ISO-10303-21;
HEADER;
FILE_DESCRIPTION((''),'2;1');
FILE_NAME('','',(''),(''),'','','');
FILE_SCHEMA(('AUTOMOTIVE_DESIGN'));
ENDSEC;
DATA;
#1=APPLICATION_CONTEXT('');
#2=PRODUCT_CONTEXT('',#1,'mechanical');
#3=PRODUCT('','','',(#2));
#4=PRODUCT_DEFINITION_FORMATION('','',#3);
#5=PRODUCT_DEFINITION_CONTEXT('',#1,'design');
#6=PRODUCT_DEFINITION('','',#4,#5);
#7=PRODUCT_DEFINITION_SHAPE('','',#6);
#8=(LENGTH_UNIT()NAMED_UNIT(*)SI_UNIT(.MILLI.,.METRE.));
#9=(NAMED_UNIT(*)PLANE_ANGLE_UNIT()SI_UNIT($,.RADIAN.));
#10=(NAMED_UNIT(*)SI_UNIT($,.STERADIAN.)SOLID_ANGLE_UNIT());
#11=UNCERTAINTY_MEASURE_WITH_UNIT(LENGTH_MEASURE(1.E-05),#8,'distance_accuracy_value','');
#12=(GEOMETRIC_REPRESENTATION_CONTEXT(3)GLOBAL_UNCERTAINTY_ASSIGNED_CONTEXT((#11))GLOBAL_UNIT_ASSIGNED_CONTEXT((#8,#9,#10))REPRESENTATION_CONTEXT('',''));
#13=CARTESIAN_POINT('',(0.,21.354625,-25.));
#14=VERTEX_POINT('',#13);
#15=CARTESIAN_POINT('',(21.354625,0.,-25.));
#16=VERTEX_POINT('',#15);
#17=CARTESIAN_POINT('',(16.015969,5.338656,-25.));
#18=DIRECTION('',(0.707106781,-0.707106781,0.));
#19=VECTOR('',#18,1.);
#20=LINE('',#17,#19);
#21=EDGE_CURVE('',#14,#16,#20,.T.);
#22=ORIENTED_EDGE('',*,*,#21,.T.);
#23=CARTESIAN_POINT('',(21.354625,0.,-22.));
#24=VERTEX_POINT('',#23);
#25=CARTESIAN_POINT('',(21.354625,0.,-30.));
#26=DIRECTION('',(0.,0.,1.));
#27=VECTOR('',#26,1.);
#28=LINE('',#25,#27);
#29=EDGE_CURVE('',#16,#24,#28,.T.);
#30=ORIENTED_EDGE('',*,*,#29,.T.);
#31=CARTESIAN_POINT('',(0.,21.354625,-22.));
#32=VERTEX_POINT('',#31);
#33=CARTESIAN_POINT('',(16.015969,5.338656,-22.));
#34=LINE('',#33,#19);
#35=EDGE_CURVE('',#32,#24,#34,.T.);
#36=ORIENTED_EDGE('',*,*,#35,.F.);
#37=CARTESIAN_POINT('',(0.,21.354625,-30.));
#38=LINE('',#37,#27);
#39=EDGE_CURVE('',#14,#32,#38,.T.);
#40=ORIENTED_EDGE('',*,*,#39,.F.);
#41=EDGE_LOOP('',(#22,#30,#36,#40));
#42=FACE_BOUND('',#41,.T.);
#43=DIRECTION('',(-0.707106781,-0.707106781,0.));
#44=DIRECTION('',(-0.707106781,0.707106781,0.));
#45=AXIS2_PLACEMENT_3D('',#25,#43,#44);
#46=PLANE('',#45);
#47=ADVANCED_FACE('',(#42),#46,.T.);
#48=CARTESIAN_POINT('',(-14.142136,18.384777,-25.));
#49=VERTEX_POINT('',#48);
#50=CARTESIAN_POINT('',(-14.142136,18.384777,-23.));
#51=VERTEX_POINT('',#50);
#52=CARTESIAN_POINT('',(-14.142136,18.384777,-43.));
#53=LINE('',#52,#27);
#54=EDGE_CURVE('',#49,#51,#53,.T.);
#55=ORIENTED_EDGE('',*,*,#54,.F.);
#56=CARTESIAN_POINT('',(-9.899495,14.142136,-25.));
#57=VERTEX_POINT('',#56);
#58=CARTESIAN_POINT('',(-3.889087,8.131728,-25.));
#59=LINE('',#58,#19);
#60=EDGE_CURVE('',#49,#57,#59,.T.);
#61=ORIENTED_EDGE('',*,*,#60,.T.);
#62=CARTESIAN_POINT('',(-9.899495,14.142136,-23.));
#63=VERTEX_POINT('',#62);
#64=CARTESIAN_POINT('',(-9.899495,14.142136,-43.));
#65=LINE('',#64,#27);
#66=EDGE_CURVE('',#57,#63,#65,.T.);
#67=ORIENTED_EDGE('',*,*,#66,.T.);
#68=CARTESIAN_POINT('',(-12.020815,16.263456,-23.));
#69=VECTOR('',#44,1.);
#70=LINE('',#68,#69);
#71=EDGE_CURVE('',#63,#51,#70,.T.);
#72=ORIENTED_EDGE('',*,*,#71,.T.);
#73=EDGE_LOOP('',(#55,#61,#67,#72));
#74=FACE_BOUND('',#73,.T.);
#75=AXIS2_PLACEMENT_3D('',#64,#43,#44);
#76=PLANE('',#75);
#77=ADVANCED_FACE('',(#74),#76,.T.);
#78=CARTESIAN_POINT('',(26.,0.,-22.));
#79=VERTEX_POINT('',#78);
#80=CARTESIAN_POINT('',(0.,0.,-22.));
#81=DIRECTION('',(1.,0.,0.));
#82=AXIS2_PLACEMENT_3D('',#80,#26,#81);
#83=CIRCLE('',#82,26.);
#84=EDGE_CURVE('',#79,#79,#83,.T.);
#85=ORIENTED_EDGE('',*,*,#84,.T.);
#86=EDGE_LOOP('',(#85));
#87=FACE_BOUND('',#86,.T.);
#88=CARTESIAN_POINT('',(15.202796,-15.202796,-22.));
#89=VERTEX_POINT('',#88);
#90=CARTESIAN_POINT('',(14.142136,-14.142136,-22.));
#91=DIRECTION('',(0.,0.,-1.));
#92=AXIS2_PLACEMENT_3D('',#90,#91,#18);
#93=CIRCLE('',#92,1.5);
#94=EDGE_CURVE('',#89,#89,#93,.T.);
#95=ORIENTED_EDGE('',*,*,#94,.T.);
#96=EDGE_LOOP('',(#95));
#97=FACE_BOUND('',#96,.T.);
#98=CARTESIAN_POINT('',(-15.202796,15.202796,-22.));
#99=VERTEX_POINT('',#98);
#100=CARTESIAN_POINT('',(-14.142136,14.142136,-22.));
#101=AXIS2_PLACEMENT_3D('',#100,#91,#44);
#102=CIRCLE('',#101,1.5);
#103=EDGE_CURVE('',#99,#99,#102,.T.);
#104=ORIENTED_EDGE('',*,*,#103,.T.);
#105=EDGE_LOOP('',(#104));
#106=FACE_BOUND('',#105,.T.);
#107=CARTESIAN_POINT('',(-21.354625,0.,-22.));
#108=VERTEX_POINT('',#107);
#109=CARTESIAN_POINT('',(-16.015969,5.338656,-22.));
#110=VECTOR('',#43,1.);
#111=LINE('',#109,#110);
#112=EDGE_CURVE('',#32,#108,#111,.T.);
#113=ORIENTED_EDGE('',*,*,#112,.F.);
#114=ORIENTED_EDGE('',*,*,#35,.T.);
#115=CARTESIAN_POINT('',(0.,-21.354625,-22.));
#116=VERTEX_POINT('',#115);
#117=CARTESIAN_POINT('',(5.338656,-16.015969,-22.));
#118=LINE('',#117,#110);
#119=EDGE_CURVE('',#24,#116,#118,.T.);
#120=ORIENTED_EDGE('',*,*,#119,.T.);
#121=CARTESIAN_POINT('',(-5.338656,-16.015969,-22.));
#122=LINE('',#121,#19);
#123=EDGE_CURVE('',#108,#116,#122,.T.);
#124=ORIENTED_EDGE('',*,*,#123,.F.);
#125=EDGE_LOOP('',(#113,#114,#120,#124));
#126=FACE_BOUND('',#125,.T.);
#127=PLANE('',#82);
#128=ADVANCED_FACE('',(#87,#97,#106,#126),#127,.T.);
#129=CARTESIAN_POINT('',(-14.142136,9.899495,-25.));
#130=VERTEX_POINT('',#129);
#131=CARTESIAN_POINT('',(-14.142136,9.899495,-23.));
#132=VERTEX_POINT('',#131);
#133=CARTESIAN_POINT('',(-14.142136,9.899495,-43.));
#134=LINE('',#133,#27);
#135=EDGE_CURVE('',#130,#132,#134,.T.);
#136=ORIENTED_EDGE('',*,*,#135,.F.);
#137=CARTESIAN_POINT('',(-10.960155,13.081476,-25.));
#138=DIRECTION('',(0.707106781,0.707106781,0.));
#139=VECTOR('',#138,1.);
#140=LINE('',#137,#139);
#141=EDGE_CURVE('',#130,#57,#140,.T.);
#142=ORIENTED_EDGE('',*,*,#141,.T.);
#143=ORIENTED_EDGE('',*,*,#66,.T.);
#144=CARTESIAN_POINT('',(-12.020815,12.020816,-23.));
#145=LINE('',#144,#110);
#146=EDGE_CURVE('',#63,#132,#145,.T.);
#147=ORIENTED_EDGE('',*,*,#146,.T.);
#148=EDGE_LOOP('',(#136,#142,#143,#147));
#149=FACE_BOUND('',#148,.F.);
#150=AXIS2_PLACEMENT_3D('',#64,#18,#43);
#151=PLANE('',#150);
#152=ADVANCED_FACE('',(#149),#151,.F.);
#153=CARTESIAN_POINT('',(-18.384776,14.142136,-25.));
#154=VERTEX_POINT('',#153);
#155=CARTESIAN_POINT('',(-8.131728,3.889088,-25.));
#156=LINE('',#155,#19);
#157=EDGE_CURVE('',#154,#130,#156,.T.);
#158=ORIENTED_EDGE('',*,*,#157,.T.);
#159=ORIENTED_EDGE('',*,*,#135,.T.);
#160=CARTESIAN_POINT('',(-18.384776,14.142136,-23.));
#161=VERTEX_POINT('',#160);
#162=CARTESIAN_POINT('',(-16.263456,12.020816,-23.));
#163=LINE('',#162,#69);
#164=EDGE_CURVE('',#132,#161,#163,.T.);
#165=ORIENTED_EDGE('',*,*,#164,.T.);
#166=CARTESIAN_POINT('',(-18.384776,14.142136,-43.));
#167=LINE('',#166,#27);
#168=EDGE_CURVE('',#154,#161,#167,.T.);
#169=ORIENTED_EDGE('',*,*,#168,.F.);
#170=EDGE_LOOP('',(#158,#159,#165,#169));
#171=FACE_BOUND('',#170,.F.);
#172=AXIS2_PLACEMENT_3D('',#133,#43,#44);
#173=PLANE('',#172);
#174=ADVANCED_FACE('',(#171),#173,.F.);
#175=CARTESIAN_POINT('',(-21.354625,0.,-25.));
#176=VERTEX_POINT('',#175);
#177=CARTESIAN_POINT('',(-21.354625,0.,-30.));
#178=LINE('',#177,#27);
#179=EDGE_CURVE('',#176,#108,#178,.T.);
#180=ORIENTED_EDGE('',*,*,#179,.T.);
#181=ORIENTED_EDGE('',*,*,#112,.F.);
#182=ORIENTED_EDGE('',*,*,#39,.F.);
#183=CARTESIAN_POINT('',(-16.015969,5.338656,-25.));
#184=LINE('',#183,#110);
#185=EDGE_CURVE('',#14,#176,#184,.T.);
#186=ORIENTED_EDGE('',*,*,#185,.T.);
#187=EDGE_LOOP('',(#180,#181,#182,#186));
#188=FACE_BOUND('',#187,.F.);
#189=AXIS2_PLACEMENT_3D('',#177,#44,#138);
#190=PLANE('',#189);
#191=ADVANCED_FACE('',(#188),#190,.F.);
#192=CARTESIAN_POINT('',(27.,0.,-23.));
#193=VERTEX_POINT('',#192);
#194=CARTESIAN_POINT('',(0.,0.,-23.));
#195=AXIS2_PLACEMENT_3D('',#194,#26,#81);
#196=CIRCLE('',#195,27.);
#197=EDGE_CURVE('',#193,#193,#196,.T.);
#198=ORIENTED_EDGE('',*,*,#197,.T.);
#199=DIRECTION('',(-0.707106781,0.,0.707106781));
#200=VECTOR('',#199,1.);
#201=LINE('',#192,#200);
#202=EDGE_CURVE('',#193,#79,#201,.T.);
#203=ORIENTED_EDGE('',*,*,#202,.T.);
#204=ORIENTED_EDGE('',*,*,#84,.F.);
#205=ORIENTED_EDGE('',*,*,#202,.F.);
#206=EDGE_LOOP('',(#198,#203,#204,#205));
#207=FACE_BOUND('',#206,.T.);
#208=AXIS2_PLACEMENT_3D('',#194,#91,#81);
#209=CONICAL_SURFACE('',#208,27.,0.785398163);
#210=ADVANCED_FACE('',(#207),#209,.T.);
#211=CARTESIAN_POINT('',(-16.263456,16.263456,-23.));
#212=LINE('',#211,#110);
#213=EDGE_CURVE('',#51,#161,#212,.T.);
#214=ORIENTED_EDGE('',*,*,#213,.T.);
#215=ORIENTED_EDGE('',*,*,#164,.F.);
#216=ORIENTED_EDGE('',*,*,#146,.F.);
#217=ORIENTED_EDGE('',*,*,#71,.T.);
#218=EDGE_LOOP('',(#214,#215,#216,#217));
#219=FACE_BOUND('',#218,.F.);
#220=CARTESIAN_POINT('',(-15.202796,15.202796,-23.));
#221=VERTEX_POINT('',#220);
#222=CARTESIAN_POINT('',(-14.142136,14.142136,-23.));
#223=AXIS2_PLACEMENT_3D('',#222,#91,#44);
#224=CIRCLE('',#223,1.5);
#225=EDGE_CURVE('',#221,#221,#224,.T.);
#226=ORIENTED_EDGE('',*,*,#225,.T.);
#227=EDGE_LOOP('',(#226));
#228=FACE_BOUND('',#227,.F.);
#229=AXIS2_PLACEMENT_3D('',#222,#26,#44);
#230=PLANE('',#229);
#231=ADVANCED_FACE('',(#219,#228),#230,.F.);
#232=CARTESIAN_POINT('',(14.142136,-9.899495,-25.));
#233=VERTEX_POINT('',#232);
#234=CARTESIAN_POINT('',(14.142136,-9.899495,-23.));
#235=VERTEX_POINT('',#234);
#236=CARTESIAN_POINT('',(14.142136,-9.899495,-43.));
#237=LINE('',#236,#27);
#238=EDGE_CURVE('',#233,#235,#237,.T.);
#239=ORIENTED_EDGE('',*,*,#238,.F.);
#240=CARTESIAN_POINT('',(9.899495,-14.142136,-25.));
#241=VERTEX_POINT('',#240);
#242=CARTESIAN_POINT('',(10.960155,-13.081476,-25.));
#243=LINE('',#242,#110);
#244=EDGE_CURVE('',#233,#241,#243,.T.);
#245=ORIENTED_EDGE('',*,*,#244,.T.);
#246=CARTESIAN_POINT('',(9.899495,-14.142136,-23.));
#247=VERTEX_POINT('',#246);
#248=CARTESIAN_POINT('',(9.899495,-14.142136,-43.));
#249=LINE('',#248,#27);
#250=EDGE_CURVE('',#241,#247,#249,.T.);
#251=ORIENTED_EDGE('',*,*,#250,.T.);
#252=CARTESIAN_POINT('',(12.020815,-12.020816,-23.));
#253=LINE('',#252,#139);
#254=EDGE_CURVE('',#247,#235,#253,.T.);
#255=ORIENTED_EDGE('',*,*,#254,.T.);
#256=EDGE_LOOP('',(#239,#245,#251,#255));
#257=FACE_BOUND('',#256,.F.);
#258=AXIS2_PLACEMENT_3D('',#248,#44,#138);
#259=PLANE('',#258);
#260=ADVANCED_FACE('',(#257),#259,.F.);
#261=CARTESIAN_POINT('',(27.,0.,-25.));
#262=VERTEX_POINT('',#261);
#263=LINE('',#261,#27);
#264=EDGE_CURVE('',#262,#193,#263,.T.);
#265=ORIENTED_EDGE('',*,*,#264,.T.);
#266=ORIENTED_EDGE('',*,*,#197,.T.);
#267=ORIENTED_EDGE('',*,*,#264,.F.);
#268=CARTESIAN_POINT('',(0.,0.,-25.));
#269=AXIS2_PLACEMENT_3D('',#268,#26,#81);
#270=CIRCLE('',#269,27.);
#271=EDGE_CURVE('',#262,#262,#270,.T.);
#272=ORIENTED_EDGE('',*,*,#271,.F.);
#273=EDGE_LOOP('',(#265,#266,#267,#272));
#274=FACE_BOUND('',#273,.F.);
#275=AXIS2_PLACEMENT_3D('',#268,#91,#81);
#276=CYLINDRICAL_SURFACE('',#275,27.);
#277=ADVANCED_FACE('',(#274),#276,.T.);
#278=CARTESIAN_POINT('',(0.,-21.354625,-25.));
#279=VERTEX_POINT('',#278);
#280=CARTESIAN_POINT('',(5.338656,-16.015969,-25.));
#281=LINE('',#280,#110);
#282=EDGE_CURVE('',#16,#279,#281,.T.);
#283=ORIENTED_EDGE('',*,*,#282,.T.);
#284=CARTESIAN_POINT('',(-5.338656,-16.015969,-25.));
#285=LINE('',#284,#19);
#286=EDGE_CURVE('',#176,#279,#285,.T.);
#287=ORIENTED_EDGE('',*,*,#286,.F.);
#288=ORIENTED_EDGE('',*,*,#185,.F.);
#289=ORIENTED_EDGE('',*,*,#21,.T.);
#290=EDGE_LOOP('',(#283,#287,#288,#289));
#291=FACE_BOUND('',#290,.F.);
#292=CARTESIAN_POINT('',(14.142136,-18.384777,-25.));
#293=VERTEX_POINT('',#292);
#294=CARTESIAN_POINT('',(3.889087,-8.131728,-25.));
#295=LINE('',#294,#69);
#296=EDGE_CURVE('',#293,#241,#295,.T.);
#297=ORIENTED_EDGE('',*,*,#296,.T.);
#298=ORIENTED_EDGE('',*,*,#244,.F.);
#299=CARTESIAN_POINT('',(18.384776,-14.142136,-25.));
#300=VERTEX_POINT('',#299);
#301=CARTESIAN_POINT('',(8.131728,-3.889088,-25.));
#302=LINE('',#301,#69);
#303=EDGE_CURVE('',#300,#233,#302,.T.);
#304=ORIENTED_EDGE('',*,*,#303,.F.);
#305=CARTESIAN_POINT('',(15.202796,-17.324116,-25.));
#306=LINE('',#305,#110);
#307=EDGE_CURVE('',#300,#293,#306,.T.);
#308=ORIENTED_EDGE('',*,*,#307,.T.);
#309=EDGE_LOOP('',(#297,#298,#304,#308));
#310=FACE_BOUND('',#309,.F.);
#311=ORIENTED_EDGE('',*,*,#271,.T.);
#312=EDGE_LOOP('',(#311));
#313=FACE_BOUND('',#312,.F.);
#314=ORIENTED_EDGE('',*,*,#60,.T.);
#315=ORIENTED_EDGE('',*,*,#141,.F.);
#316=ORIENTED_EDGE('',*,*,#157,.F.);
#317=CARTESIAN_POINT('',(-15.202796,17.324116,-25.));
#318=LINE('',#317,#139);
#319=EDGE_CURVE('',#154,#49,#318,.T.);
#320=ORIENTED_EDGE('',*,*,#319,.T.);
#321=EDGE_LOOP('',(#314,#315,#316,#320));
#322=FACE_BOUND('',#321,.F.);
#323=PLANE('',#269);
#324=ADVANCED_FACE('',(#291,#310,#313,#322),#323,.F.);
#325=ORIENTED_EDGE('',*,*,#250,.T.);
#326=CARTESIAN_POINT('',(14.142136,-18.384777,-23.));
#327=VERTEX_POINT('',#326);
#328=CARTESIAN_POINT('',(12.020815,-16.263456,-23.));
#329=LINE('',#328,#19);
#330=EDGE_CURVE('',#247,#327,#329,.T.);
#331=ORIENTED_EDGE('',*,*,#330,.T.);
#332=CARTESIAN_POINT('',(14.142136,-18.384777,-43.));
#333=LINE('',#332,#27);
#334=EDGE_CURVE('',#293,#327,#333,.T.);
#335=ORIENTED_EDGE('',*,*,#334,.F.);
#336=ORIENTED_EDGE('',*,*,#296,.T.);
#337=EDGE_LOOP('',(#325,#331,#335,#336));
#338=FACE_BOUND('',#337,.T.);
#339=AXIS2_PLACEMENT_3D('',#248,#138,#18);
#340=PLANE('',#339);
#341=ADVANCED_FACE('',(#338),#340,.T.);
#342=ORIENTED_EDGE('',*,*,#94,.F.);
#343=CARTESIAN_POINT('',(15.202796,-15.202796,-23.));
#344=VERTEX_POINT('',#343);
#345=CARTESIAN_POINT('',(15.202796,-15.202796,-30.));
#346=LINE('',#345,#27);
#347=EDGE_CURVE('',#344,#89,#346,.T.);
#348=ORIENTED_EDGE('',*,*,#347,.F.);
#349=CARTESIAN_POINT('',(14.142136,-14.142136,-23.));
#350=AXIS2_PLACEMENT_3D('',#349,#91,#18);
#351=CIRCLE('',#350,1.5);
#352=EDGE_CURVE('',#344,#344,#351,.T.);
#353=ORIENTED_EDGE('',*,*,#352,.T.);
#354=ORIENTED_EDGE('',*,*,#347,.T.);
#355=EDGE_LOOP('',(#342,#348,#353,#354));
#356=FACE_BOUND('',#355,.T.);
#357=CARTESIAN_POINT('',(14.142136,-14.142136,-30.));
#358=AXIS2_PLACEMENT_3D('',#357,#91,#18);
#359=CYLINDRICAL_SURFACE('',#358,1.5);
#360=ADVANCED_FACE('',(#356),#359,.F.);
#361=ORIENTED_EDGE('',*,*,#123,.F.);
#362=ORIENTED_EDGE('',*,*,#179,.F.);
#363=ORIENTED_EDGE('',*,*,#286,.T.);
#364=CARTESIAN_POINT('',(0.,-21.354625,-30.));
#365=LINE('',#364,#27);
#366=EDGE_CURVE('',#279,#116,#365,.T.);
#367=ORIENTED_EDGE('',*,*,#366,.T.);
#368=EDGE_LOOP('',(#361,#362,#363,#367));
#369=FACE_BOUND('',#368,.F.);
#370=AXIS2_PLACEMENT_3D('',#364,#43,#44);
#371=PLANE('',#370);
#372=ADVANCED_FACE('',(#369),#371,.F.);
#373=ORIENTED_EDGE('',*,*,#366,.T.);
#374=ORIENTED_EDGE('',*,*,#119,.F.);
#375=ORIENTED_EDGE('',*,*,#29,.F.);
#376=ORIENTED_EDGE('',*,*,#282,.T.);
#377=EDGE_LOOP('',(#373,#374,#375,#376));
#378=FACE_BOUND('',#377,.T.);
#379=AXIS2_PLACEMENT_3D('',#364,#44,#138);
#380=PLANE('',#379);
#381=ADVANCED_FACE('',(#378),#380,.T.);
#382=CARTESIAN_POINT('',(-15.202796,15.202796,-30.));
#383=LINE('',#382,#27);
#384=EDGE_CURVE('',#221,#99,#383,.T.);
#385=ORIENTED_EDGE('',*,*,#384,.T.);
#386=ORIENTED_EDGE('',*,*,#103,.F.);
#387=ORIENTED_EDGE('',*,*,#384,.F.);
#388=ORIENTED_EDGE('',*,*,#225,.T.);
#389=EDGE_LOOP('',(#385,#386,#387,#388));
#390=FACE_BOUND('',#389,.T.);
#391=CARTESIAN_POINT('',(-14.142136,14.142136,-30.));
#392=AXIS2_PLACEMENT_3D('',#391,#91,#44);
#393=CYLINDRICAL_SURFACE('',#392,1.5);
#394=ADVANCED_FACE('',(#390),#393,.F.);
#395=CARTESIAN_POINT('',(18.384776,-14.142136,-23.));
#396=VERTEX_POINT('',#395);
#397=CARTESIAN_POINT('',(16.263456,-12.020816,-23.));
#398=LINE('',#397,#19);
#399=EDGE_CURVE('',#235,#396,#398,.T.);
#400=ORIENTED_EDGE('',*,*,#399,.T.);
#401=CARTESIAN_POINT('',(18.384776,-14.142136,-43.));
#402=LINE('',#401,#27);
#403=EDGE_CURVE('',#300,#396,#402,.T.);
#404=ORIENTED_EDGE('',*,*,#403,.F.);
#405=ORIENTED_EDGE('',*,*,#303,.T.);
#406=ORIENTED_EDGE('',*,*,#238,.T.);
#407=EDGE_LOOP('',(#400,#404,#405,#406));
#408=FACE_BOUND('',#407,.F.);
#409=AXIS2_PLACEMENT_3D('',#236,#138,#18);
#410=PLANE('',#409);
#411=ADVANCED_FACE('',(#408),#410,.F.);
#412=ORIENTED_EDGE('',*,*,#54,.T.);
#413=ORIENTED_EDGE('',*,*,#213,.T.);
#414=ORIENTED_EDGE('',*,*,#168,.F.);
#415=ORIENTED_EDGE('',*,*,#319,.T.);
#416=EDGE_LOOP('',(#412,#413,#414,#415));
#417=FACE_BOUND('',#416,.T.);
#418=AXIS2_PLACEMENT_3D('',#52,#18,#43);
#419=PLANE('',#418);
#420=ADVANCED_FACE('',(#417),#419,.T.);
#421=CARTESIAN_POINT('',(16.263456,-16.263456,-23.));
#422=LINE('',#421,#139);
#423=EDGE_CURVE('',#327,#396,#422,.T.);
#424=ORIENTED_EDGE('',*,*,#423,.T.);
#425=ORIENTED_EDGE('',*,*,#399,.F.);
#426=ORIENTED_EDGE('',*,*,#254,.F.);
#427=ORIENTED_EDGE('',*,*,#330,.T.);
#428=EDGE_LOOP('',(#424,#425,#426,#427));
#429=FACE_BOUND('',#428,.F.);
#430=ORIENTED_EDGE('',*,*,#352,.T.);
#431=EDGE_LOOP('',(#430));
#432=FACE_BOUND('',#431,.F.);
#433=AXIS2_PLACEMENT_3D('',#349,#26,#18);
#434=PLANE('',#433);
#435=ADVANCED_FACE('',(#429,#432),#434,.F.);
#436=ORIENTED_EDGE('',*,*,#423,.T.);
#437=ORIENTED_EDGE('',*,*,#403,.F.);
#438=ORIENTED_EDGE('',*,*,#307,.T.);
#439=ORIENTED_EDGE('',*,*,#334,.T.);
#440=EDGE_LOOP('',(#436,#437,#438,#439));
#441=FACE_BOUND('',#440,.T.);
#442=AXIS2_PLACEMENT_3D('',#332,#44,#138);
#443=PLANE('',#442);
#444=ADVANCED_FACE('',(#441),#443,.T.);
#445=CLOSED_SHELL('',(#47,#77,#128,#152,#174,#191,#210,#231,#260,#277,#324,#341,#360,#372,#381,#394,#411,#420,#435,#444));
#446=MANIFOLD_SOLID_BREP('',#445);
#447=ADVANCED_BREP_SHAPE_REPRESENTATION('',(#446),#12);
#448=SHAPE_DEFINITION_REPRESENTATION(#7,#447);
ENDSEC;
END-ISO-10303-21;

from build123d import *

# Parameters (mm, degrees)
BOX318_W                    = 6
BOX318_H                    = 6
BOX318_DEPTH                = 20
BOX318_PLACEMENT_ANGLE      = 45
BOX319_W                    = 6
BOX319_H                    = 6
BOX319_DEPTH                = 20
BOX319_PLACEMENT_ANGLE      = 135
CYLINDER809_R               = 1.5
CYLINDER809_DEPTH           = 20
CYLINDER809_PLACEMENT_ANGLE = 135
CYLINDER808_R               = 1.5
CYLINDER808_DEPTH           = 20
CYLINDER808_PLACEMENT_ANGLE = 45
BOX315_W                    = 30.2
BOX315_H                    = 30.2
BOX315_DEPTH                = 100
BOX315_PLACEMENT_ANGLE      = 45
CYLINDER805_R               = 27
CYLINDER805_DEPTH           = 3
CHAMFER_SIZE                = 1


with BuildPart() as krychle318:
    # Box318 → Box318 (new body)
    with BuildSketch(Plane.XY):
        with Locations((3, 3)):
            Rectangle(BOX318_W, BOX318_H)
    extrude(amount=BOX318_DEPTH)


with BuildPart() as krychle318_1:
    # Box318 placement: moved
    add(krychle318.part.moved(Location((9.899495, -14.142136, -30))).rotate(Axis((9.899495, -14.142136, -30), (0, 0, -1)), BOX318_PLACEMENT_ANGLE))


with BuildPart() as compound722:
    # Box319 → Box319 (new body)
    with BuildSketch(Plane.XY):
        with Locations((3, 3)):
            Rectangle(BOX319_W, BOX319_H)
    extrude(amount=BOX319_DEPTH)


with BuildPart() as compound722_1:
    # Box319 placement: moved
    add(compound722.part.moved(Location((-9.899495, 14.142136, -30))).rotate(Axis((-9.899495, 14.142136, -30), (0, 0, 1)), BOX319_PLACEMENT_ANGLE))

    # Compound722: union Krychle318
    add(krychle318_1.part)


with BuildPart() as compound722_2:
    # Compound722 placement: moved
    add(compound722_1.part.moved(Location((0, 0, -13))))


with BuildPart() as v_lec809:
    # Cylinder809 → Cylinder809 (new body)
    with BuildSketch(Plane.XY):
        Circle(CYLINDER809_R)
    extrude(amount=CYLINDER809_DEPTH)


with BuildPart() as v_lec809_1:
    # Cylinder809 placement: moved
    add(v_lec809.part.moved(Location((-14.142136, 14.142136, -30))).rotate(Axis((-14.142136, 14.142136, -30), (0, 0, 1)), CYLINDER809_PLACEMENT_ANGLE))


with BuildPart() as compound:
    # Cylinder808 → Cylinder808 (new body)
    with BuildSketch(Plane.XY):
        Circle(CYLINDER808_R)
    extrude(amount=CYLINDER808_DEPTH)


with BuildPart() as compound_1:
    # Cylinder808 placement: moved
    add(compound.part.moved(Location((14.142136, -14.142136, -30))).rotate(Axis((14.142136, -14.142136, -30), (0, 0, -1)), CYLINDER808_PLACEMENT_ANGLE))

    # Compound: union Válec809
    add(v_lec809_1.part)


with BuildPart() as krychle315:
    # Box315 → Box315 (new body)
    with BuildSketch(Plane.XY):
        with Locations((15.1, 15.1)):
            Rectangle(BOX315_W, BOX315_H)
    extrude(amount=BOX315_DEPTH)


with BuildPart() as krychle315_1:
    # Box315 placement: moved
    add(krychle315.part.moved(Location((0, -21.354625, -30))).rotate(Axis((0, -21.354625, -30), (0, 0, 1)), BOX315_PLACEMENT_ANGLE))


with BuildPart() as cut344:
    # Cylinder805 → Cylinder805 (new body)
    with BuildSketch(Plane.XY.offset(-25)):
        Circle(CYLINDER805_R)
    extrude(amount=CYLINDER805_DEPTH)

    # Chamfer
    chamfer_edges = [cut344.edges().sort_by_distance(p)[0] for p in [
        (-27, 0, -22),
    ]]
    chamfer(chamfer_edges, length=CHAMFER_SIZE)

    # Cut340: cut Krychle315
    add(krychle315_1.part, mode=Mode.SUBTRACT)

    # Cut342: cut Compound
    add(compound_1.part, mode=Mode.SUBTRACT)

    # Cut344: cut Compound722
    add(compound722_2.part, mode=Mode.SUBTRACT)


solid = cut344.part
